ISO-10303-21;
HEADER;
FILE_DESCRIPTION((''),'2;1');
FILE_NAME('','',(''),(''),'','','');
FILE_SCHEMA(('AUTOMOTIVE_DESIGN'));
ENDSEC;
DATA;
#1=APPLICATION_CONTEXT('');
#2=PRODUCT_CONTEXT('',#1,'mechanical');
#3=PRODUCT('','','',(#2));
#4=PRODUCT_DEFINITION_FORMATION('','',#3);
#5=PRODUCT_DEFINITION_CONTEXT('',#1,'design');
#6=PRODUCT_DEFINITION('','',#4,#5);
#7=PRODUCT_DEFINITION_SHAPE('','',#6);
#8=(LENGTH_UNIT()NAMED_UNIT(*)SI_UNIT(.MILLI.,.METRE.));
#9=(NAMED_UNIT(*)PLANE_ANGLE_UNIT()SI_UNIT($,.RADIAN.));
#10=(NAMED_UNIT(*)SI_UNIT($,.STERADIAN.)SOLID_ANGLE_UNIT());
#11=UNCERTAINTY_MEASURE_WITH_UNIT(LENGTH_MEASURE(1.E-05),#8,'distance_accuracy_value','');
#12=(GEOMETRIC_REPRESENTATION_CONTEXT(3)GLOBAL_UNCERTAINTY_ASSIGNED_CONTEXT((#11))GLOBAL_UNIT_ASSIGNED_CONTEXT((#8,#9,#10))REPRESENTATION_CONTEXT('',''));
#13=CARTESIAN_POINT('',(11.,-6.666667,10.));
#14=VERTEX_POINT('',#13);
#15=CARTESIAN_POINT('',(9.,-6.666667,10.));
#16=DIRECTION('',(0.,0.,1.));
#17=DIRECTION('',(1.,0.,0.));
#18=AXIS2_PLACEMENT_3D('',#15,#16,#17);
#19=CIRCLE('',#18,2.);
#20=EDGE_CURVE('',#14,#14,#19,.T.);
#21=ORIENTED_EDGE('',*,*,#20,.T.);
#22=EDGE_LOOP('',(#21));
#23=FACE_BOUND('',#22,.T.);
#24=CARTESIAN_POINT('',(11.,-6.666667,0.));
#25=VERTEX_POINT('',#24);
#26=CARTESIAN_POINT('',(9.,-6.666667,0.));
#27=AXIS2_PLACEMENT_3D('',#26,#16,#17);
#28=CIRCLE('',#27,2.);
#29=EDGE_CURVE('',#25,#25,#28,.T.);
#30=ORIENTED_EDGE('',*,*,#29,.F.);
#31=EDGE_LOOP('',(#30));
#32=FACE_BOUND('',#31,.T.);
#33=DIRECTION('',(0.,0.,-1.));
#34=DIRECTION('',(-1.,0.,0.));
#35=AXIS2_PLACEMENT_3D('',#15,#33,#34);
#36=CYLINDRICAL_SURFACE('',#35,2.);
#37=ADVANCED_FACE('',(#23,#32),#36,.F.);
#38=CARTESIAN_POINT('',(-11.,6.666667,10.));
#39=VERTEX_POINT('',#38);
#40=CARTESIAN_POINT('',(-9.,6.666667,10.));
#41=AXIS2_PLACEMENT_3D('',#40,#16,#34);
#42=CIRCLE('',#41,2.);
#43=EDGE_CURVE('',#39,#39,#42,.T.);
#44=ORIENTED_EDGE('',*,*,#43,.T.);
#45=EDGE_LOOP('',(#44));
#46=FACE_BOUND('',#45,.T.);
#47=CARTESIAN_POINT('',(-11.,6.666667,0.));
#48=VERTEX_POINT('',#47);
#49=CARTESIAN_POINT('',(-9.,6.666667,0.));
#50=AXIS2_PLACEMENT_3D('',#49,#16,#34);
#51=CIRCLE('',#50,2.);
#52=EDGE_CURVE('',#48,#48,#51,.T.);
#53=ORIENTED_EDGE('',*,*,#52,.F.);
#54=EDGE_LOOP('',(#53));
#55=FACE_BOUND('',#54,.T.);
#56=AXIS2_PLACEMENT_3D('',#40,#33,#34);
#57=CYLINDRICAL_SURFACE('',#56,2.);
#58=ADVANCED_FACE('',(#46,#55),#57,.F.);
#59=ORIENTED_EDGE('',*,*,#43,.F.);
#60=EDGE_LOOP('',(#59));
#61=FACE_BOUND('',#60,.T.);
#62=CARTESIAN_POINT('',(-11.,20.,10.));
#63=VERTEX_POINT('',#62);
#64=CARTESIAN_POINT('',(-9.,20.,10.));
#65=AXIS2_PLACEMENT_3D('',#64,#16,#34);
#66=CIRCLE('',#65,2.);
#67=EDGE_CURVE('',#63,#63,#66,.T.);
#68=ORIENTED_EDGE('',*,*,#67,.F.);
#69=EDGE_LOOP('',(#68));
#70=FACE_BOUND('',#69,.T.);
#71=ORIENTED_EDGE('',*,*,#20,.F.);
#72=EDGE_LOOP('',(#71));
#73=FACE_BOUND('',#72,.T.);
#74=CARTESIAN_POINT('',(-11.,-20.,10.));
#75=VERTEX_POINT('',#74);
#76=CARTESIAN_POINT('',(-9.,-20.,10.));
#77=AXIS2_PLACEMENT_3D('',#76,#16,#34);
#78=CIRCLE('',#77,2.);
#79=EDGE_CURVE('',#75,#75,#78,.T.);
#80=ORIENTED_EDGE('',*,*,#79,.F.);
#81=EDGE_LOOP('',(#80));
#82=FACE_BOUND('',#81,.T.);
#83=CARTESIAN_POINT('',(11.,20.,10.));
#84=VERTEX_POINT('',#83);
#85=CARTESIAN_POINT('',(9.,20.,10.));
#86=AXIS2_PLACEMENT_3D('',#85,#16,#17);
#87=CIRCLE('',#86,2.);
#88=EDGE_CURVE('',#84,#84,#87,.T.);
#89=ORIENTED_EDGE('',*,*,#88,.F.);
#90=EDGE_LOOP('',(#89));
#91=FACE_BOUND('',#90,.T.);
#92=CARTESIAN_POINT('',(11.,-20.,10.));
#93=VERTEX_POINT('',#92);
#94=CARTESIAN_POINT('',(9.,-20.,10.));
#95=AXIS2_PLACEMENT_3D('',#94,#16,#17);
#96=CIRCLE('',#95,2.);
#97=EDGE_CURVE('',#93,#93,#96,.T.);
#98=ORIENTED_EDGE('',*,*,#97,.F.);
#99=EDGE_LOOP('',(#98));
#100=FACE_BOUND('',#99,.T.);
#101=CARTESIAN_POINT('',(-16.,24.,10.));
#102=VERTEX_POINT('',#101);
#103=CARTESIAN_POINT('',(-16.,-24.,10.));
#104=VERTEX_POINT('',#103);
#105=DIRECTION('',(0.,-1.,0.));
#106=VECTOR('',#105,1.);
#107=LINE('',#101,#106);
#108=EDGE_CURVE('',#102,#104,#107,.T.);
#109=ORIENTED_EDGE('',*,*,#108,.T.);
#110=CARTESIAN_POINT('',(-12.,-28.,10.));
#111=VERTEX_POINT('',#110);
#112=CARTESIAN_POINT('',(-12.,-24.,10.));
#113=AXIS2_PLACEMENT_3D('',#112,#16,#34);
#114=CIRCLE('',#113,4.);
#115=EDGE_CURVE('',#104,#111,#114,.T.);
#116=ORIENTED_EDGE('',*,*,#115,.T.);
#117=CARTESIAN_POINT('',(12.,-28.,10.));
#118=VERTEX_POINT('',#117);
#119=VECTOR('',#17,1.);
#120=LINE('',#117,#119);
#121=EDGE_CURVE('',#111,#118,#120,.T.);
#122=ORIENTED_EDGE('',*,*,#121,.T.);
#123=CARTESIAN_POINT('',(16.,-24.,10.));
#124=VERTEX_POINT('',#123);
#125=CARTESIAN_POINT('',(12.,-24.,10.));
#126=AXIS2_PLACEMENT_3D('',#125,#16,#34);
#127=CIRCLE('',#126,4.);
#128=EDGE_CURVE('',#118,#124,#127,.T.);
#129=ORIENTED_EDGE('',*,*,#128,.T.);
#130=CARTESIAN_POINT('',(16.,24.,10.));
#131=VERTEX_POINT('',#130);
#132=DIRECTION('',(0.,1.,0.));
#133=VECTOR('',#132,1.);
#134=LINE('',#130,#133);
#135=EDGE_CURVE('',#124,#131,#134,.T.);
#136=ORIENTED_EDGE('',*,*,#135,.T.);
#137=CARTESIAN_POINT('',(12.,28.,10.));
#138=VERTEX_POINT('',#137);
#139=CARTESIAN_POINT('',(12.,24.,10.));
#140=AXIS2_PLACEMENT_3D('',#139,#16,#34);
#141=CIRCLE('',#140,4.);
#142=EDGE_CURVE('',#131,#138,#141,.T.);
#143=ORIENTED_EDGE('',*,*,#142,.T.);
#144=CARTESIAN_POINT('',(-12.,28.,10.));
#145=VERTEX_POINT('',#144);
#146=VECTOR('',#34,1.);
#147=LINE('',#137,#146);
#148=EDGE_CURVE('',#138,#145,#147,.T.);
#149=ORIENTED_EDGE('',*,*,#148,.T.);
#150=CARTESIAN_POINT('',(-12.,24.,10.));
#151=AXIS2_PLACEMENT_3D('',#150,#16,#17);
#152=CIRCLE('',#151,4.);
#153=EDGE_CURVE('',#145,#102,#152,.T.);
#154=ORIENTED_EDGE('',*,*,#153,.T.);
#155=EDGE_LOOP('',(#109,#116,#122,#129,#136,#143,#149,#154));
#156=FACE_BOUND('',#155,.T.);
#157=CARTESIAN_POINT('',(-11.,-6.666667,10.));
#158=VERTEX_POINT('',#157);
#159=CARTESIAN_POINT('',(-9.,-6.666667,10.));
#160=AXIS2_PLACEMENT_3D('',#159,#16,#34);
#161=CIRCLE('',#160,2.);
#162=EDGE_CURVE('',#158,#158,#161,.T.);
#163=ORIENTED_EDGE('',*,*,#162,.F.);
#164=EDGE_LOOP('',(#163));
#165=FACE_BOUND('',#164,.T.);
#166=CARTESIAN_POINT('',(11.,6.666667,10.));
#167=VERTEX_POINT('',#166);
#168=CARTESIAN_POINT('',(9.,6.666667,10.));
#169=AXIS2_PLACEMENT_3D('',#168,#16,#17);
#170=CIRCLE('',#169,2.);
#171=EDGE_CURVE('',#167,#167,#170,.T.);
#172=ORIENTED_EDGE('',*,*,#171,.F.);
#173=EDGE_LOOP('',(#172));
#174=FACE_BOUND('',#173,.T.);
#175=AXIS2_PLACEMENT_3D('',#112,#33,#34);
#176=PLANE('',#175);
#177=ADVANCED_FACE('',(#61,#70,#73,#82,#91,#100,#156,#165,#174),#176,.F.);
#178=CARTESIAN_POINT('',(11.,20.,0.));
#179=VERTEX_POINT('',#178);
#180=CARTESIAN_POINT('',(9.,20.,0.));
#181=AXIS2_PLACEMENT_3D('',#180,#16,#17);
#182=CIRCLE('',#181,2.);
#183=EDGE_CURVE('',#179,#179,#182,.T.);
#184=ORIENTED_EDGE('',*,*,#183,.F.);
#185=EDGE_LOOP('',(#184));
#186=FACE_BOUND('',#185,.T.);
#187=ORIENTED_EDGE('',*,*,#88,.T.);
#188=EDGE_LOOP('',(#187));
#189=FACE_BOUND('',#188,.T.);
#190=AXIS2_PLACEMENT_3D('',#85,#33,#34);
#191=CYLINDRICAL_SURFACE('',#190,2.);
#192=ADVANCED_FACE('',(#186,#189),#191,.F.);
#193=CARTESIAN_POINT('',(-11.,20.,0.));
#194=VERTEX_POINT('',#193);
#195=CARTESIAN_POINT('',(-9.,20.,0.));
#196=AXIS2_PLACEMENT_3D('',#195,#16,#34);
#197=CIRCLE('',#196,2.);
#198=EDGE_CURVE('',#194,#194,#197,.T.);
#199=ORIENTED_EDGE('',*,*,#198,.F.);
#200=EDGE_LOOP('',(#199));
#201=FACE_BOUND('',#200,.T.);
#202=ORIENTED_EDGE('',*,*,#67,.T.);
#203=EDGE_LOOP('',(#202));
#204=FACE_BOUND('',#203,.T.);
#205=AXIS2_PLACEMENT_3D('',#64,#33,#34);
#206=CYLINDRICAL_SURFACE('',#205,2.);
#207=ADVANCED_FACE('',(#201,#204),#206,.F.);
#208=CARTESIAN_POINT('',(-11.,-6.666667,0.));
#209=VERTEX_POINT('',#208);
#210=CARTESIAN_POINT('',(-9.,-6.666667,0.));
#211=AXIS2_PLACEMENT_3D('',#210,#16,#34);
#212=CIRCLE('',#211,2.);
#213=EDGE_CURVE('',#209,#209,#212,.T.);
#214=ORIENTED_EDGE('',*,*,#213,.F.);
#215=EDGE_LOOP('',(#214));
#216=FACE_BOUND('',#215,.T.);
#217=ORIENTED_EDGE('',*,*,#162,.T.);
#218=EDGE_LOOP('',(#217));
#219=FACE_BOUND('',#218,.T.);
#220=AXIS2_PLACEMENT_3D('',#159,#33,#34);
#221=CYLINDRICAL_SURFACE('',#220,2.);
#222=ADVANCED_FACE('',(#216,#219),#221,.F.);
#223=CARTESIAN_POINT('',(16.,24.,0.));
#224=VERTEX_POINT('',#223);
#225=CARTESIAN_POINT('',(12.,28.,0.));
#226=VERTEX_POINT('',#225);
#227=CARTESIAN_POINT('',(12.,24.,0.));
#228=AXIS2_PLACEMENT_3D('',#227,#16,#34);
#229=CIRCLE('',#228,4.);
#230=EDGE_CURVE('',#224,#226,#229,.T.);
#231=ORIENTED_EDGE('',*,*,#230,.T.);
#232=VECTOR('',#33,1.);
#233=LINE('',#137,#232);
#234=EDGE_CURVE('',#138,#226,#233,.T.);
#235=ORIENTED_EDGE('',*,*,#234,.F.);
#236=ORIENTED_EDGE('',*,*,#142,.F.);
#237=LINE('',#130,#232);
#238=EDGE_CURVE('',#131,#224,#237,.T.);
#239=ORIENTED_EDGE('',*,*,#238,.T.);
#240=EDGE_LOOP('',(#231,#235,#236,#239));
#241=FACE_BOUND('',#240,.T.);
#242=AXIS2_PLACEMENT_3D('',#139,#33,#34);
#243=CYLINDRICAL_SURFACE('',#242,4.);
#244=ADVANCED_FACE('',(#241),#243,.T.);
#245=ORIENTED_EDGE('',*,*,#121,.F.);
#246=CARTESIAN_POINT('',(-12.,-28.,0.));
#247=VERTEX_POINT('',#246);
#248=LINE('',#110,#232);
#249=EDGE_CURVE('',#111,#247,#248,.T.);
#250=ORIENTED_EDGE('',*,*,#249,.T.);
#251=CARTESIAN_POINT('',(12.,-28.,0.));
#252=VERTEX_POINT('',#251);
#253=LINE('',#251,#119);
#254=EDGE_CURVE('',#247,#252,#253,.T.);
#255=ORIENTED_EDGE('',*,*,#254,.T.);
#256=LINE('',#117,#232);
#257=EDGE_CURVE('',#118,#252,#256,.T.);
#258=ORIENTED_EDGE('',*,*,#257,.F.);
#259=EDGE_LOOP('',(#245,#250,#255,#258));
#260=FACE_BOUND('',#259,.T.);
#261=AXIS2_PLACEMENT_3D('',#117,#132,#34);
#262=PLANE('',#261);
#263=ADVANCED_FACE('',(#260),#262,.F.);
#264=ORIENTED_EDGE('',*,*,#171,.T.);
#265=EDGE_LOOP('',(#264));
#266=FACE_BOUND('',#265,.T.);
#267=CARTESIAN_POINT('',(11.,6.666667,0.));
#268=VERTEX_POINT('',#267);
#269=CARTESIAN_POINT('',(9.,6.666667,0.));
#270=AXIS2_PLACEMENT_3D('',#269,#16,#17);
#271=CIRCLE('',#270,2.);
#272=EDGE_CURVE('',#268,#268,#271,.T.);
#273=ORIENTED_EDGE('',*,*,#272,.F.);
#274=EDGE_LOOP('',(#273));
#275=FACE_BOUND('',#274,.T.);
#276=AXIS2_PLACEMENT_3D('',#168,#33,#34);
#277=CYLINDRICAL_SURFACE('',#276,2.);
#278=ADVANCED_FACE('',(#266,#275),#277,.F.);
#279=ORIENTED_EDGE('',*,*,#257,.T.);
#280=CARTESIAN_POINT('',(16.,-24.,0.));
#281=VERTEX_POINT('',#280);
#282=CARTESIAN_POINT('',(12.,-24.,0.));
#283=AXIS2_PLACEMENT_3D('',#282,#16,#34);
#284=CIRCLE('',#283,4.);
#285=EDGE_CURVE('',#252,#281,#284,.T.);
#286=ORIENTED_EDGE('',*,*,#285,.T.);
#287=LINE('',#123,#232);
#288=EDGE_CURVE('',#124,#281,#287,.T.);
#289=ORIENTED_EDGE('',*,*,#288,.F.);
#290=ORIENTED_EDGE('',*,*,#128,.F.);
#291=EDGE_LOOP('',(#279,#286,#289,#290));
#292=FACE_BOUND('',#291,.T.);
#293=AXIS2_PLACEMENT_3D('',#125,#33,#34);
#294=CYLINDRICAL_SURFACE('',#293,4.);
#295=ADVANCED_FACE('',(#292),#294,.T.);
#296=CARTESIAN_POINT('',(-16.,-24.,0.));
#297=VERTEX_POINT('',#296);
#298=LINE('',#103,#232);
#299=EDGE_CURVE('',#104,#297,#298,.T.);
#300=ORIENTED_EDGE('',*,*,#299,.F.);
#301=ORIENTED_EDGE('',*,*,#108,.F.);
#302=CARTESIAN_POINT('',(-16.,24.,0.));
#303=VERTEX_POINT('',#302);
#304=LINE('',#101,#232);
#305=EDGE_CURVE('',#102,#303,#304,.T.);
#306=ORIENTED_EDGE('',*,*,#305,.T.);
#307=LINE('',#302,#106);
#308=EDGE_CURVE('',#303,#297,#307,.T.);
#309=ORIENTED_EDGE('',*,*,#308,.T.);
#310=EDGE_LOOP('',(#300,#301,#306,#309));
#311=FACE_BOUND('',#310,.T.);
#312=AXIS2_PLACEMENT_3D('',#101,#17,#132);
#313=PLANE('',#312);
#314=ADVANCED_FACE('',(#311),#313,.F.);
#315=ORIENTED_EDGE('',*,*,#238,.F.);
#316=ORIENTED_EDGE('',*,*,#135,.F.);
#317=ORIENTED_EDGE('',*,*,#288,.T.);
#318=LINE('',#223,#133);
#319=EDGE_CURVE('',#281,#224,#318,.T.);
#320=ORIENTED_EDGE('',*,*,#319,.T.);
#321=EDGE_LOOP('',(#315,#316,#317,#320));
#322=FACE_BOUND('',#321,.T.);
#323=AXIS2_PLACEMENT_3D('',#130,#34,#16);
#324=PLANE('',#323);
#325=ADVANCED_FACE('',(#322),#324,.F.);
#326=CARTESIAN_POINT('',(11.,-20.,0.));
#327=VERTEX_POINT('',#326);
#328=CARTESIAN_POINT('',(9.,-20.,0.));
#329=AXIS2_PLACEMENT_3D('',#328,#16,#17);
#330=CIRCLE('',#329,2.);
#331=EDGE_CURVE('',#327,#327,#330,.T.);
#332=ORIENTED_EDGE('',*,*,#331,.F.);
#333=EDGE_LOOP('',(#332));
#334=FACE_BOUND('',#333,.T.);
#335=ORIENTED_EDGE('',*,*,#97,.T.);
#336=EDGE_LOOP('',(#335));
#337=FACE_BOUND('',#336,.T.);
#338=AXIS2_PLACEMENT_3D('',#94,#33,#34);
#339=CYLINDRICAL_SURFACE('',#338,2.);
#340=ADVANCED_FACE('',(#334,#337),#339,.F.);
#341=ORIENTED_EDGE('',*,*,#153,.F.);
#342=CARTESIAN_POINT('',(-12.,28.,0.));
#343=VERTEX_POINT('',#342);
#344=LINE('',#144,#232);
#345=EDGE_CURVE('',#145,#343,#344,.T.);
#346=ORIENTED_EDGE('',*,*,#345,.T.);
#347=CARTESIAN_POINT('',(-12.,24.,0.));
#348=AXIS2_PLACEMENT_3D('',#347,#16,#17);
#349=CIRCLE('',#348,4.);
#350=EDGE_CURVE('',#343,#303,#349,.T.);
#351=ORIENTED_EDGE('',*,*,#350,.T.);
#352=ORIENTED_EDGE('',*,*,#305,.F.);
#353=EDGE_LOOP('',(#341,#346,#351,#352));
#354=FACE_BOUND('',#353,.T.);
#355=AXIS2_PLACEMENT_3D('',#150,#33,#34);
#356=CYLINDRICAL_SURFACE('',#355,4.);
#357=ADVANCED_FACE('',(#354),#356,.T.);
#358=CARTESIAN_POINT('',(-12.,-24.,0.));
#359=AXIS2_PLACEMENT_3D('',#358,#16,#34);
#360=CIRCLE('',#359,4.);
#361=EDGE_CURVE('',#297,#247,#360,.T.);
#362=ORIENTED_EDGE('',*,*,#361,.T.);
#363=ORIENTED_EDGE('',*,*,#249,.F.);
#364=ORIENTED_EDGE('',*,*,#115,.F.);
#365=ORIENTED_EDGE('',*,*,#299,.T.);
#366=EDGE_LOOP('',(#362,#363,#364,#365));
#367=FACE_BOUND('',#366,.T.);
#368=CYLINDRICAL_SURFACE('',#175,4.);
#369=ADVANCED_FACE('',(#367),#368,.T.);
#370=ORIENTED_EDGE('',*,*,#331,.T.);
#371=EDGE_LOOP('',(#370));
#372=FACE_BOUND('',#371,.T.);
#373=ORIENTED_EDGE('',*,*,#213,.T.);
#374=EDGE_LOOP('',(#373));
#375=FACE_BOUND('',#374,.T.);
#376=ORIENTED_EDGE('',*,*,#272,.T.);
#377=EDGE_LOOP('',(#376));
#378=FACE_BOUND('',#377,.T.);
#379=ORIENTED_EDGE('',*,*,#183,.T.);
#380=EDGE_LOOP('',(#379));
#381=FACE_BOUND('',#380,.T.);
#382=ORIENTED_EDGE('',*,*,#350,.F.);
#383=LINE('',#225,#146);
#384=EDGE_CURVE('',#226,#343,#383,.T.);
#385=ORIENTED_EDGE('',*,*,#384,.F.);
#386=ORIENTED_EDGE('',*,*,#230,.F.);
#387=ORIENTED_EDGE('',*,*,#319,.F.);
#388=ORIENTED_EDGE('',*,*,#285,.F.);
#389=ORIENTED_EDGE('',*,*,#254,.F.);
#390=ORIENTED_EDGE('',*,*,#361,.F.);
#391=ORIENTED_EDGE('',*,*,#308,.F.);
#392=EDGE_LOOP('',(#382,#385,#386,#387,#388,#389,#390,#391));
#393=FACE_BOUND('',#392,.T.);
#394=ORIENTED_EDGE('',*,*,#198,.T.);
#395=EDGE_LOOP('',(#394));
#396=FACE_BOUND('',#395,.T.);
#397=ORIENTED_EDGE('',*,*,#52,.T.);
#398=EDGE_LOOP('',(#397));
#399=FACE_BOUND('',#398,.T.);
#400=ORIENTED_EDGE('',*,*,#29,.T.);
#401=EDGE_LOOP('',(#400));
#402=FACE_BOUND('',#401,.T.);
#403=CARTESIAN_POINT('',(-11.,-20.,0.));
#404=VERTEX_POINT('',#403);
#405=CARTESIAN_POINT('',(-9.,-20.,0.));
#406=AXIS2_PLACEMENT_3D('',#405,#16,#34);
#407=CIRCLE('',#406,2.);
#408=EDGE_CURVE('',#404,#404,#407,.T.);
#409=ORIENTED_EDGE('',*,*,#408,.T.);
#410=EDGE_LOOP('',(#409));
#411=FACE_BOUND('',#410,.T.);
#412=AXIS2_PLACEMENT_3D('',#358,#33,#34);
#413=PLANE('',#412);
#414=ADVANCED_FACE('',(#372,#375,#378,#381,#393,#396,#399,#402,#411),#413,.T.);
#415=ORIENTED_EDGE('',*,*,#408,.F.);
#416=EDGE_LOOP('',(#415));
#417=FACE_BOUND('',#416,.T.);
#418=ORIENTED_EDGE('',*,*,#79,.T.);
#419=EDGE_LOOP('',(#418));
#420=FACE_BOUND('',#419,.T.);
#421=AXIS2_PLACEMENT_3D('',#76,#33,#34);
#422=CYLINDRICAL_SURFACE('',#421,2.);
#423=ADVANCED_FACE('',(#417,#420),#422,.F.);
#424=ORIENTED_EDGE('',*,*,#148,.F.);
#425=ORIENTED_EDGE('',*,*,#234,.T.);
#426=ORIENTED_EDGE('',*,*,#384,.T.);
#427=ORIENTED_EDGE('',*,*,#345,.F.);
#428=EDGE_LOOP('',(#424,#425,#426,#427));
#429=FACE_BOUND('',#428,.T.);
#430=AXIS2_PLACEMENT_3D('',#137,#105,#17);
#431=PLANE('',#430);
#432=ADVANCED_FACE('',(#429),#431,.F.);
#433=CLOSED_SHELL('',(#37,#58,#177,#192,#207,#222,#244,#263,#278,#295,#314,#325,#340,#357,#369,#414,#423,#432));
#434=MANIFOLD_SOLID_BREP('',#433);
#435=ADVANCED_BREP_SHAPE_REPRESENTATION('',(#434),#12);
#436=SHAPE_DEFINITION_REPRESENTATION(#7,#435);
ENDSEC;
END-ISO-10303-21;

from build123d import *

# Parameters (mm, degrees)
SKETCH_1_R      = 2
EXTRUDE_1_DEPTH = 10


with BuildPart() as part:
    # 草图1 → 凸台-拉伸1 (new body)
    with BuildSketch(Plane.XY):
        with BuildLine():
            Line((12, 28), (-12, 28))
            ThreePointArc((-12, 28), (-14.828427125, 26.828427125), (-16, 24))
            Line((-16, 24), (-16, -24))
            ThreePointArc((-16, -24), (-14.828427125, -26.828427125), (-12, -28))
            Line((-12, -28), (12, -28))
            ThreePointArc((12, -28), (14.828427125, -26.828427125), (16, -24))
            Line((16, -24), (16, 24))
            ThreePointArc((16, 24), (14.828427125, 26.828427125), (12, 28))
        make_face()
        with Locations((9, 20)):
            Circle(SKETCH_1_R, mode=Mode.SUBTRACT)
        with Locations((9, 6.666666667)):
            Circle(SKETCH_1_R, mode=Mode.SUBTRACT)
        with Locations((9, -6.666666667)):
            Circle(SKETCH_1_R, mode=Mode.SUBTRACT)
        with Locations((9, -20)):
            Circle(SKETCH_1_R, mode=Mode.SUBTRACT)
        with Locations(Location((-9, -20, 0), (0, 0, 180))):
            Circle(SKETCH_1_R, mode=Mode.SUBTRACT)
        with Locations(Location((-9, -6.666666667, 0), (0, 0, 180))):
            Circle(SKETCH_1_R, mode=Mode.SUBTRACT)
        with Locations(Location((-9, 6.666666667, 0), (0, 0, 180))):
            Circle(SKETCH_1_R, mode=Mode.SUBTRACT)
        with Locations(Location((-9, 20, 0), (0, 0, 180))):
            Circle(SKETCH_1_R, mode=Mode.SUBTRACT)
    extrude(amount=EXTRUDE_1_DEPTH)


solid = part.part
